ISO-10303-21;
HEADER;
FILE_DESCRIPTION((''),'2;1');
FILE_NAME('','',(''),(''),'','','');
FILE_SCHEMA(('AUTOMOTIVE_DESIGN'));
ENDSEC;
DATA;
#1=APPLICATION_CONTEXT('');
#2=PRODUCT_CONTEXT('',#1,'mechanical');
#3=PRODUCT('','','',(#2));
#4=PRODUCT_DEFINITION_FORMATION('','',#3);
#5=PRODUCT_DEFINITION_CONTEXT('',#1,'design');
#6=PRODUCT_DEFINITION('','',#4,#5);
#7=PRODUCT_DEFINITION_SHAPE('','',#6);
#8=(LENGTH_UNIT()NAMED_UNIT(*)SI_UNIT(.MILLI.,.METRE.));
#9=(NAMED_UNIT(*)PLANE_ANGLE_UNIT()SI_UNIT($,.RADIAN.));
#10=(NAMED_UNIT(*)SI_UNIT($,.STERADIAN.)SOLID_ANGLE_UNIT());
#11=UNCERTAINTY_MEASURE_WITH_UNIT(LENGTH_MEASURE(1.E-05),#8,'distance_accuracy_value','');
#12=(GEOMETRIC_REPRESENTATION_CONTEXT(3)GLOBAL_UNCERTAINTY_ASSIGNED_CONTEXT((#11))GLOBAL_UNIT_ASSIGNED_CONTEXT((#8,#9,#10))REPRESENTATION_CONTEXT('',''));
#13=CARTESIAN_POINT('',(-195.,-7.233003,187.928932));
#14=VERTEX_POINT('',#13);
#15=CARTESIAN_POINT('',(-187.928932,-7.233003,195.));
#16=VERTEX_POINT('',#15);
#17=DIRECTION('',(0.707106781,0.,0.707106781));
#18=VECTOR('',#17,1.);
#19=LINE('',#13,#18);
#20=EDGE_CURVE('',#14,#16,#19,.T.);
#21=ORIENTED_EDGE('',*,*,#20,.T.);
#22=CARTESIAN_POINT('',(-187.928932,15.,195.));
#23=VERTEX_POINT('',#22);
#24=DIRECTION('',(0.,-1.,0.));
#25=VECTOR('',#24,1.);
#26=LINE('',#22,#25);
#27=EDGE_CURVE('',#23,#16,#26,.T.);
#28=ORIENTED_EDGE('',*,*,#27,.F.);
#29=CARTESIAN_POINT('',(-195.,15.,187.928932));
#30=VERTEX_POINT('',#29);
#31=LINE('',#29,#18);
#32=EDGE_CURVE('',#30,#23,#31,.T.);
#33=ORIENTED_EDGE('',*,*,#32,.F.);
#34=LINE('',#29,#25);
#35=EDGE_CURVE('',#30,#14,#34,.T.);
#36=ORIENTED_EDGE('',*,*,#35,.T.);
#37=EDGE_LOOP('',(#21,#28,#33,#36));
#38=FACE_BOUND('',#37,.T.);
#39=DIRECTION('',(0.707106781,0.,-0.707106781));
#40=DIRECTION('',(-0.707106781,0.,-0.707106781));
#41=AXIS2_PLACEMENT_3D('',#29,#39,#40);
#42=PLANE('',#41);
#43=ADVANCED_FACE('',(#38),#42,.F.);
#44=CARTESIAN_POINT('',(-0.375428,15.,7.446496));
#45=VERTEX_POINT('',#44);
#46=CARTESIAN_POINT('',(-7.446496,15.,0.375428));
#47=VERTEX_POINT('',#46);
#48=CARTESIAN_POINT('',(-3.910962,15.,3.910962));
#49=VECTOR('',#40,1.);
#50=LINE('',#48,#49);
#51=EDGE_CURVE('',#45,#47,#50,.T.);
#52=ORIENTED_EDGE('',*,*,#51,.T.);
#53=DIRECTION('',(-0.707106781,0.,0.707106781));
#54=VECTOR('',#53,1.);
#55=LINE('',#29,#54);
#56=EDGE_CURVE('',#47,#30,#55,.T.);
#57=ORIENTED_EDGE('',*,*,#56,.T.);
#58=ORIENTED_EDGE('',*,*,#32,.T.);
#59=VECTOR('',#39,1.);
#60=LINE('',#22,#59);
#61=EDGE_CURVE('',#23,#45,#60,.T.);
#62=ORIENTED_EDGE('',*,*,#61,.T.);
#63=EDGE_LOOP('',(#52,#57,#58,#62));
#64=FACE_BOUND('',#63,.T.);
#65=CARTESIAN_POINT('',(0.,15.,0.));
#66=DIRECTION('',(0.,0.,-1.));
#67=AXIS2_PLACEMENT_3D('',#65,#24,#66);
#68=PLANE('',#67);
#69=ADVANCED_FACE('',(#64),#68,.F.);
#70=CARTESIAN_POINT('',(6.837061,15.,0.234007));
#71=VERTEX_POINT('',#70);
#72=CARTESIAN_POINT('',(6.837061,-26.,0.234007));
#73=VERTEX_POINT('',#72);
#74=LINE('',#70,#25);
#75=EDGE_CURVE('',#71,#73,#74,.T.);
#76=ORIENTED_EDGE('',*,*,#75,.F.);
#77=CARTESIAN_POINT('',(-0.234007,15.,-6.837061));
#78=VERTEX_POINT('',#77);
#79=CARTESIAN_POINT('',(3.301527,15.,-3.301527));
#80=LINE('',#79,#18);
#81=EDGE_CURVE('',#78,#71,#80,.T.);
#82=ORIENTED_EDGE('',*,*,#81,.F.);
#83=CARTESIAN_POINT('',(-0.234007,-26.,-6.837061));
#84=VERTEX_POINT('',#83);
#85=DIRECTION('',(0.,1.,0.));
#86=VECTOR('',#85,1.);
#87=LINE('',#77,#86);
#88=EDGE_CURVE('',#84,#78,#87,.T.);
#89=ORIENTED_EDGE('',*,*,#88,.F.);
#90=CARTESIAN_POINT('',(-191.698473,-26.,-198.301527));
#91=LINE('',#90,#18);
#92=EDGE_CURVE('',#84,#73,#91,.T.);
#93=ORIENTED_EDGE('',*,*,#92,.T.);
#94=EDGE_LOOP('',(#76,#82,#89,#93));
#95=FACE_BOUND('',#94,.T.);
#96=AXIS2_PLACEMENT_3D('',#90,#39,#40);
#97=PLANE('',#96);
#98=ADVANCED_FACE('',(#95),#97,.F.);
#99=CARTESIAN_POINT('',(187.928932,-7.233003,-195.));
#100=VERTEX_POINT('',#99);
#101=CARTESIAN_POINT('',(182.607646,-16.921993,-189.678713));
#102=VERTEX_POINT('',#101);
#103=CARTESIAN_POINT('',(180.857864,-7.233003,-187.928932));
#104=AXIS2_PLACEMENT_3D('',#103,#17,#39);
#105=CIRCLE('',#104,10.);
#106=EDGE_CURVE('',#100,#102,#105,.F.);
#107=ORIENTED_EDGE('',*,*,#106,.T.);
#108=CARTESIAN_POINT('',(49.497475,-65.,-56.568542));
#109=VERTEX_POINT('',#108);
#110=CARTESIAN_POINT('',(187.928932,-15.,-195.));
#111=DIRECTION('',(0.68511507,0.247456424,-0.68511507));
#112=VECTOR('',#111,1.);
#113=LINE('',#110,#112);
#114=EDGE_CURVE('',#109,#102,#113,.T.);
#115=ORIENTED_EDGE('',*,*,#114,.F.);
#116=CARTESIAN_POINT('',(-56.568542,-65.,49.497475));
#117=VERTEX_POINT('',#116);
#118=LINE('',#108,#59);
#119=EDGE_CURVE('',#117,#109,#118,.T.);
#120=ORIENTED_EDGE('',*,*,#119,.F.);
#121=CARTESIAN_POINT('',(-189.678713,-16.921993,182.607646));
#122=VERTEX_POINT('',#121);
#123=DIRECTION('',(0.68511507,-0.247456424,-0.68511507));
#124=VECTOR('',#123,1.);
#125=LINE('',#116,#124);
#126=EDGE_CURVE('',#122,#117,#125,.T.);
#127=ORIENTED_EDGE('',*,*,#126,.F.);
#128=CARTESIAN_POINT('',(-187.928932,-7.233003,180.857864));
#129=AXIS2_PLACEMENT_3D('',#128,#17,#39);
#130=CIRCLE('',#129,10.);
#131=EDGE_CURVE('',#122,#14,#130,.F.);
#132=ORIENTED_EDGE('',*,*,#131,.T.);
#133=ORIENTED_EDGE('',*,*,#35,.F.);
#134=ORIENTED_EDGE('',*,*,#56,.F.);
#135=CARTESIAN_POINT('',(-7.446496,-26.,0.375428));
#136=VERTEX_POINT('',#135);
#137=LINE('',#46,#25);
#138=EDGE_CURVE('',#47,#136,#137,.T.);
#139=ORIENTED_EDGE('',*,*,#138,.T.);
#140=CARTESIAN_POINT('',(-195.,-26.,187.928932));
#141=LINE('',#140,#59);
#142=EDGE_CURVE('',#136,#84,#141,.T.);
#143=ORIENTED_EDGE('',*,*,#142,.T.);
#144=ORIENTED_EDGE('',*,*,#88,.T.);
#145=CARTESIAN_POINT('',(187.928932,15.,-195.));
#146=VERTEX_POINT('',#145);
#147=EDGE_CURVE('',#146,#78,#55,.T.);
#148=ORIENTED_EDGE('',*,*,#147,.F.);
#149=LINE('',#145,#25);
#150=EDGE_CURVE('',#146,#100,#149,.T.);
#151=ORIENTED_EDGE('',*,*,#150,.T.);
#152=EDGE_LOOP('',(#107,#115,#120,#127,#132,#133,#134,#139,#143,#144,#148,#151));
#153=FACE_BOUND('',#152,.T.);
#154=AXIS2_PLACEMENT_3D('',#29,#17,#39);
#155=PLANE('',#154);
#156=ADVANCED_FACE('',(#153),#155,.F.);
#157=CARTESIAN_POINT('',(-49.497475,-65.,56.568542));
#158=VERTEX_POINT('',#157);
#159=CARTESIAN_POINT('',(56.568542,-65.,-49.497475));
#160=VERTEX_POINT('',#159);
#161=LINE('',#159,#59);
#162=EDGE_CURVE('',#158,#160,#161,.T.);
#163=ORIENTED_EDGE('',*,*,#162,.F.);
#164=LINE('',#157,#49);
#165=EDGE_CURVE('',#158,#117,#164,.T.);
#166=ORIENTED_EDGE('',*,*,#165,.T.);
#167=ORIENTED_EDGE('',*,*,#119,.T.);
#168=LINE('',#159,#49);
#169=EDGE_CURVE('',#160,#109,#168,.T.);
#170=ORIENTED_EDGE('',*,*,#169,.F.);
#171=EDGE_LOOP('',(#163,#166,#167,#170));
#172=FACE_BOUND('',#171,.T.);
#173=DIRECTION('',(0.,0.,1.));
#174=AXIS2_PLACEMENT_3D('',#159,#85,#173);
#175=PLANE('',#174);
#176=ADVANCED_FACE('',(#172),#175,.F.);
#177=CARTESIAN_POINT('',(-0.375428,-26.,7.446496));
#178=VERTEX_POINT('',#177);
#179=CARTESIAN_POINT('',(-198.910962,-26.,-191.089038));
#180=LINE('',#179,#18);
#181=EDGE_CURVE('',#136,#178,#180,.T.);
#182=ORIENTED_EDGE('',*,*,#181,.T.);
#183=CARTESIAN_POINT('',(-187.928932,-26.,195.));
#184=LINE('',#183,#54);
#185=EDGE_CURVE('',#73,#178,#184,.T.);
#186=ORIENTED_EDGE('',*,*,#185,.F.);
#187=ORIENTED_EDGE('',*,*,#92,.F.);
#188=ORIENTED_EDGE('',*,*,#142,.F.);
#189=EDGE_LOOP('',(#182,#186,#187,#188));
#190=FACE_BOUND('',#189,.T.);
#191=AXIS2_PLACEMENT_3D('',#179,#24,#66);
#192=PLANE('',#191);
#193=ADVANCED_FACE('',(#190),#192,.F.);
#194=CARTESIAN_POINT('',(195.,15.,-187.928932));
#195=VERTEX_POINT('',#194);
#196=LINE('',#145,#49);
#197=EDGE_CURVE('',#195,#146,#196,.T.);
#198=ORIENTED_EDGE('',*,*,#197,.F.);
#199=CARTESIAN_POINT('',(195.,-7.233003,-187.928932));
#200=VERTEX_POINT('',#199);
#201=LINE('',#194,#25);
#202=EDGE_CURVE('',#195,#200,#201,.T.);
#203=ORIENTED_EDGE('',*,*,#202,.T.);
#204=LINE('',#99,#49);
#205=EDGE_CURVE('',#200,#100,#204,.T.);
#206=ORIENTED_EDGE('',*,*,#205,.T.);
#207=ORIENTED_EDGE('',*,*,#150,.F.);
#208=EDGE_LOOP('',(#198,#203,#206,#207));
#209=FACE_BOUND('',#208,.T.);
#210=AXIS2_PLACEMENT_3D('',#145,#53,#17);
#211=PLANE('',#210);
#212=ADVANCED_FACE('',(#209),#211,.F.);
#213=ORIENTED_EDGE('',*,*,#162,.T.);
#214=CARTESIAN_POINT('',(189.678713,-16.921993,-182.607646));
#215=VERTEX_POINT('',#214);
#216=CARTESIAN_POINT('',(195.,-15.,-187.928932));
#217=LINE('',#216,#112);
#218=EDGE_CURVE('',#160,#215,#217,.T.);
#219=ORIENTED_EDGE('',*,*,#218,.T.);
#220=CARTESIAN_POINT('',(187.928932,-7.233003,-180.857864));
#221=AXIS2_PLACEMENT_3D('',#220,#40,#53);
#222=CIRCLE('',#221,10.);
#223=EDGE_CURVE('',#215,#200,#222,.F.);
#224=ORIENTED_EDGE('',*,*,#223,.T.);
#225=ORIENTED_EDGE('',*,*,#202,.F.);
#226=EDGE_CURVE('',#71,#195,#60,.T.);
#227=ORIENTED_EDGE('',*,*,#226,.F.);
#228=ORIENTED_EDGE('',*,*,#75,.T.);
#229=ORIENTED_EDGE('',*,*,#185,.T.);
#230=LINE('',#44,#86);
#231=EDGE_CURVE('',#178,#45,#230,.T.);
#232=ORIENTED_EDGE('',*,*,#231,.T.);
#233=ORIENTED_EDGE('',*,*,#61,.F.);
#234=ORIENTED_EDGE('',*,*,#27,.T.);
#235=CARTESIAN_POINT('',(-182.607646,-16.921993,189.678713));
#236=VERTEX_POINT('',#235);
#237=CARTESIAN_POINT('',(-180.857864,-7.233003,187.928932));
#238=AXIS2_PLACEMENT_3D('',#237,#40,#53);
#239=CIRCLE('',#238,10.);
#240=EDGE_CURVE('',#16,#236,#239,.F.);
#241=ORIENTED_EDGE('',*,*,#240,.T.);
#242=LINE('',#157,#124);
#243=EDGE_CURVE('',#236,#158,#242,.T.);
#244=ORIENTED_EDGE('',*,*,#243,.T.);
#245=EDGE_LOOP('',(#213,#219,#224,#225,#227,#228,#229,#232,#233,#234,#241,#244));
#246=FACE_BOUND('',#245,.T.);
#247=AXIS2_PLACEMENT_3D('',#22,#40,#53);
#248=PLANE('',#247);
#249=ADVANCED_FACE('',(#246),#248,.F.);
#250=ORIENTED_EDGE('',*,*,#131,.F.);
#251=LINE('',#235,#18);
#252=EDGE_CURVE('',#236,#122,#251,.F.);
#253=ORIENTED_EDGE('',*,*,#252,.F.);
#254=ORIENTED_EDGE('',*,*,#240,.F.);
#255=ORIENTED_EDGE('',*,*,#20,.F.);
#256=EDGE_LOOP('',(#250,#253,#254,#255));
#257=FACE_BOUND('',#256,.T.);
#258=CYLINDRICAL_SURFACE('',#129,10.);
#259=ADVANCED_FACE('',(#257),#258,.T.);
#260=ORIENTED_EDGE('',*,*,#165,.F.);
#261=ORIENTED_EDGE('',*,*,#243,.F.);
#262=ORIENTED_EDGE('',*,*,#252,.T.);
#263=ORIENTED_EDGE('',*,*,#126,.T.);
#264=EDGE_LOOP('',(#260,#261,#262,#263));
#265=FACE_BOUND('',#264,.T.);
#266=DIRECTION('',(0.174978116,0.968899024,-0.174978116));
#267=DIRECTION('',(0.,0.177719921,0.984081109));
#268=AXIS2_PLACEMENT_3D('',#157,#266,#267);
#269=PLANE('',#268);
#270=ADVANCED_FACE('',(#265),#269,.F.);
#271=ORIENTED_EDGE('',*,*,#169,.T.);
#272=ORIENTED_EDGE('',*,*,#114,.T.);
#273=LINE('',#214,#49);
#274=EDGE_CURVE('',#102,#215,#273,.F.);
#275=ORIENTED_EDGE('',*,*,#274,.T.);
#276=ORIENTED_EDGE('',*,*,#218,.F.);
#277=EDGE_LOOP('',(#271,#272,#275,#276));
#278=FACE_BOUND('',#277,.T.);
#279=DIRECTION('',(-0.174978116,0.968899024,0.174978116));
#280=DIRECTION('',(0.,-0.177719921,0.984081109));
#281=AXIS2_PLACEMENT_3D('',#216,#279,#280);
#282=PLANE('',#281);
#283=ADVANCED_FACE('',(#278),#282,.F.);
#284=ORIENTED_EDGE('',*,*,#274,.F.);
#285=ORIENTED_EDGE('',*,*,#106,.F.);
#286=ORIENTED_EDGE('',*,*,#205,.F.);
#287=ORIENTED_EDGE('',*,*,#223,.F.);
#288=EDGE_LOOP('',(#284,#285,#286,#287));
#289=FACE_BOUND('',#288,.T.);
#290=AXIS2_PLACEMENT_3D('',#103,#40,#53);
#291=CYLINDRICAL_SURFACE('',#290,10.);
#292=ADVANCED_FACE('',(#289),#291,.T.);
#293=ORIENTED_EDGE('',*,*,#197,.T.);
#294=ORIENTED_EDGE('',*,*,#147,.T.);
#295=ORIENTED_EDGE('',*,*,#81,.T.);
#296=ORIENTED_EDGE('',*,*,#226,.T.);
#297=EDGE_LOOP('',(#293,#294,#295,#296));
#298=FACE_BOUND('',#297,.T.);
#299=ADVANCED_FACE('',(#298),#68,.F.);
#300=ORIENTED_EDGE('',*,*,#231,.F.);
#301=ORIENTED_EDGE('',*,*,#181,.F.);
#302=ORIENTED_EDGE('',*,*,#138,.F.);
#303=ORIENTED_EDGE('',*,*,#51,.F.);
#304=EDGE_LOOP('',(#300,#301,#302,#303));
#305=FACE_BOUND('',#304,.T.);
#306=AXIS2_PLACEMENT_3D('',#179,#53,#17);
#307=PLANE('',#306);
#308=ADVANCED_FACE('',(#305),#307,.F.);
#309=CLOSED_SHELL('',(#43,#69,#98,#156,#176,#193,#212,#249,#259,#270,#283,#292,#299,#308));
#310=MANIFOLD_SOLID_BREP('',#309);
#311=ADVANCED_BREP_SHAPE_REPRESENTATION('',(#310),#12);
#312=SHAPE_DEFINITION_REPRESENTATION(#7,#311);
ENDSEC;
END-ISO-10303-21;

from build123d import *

# Parameters (mm, degrees)
BOSS_EXTRUDE1_DEPTH     = 15
BOSS_EXTRUDE2_DEPTH     = 5
CUT_EXTRUDE2_DEPTH      = 284.32843133
CUT_EXTRUDE2_DEPTH_BACK = 284.32843133
SKETCH4_W               = 10.2
SKETCH4_H               = 82
FILLET1_R               = 10


with BuildPart() as part:
    # Sketch1 → Boss-Extrude1 (new, symmetric)
    with BuildSketch(Plane(origin=(0, 0, 0), x_dir=(1, 0, 0), z_dir=(0, 1, 0))):
        Polygon((-195, -187.928932188), (-187.928932188, -195), (195, 187.928932188), (187.928932188, 195), align=None)
    extrude(amount=BOSS_EXTRUDE1_DEPTH, both=True)

    # Sketch3 → Boss-Extrude2 (add, symmetric)
    with BuildSketch(Plane(origin=(0, 0, 0), x_dir=(0.7071067811865476, 0, -0.7071067811865476), z_dir=(0.7071067811865476, 0, 0.7071067811865476))):
        Polygon((270.771644663, -15), (75, -65), (-75, -65), (-270.771644663, -15), align=None)
    extrude(amount=BOSS_EXTRUDE2_DEPTH, both=True)

    # Sketch4 → Cut-Extrude2 (cut, two sides: drawn at the far end of the back side and taken through both)
    with BuildSketch(Plane(origin=(0, 0, 0), x_dir=(0.7071067811865476, 0, -0.7071067811865476), z_dir=(0.7071067811865476, 0, 0.7071067811865476)).offset(-CUT_EXTRUDE2_DEPTH_BACK)):
        with Locations((-0.430935361, 15)):
            Rectangle(SKETCH4_W, SKETCH4_H)
    extrude(amount=CUT_EXTRUDE2_DEPTH + CUT_EXTRUDE2_DEPTH_BACK, mode=Mode.SUBTRACT)

    # Fillet1
    fillet1_edges = [part.edges().sort_by_distance(p)[0] for p in [
        (191.464466094, -15, -191.464466094),
        (-191.464466094, -15, 191.464466094),
    ]]
    fillet(fillet1_edges, radius=FILLET1_R)


solid = part.part
